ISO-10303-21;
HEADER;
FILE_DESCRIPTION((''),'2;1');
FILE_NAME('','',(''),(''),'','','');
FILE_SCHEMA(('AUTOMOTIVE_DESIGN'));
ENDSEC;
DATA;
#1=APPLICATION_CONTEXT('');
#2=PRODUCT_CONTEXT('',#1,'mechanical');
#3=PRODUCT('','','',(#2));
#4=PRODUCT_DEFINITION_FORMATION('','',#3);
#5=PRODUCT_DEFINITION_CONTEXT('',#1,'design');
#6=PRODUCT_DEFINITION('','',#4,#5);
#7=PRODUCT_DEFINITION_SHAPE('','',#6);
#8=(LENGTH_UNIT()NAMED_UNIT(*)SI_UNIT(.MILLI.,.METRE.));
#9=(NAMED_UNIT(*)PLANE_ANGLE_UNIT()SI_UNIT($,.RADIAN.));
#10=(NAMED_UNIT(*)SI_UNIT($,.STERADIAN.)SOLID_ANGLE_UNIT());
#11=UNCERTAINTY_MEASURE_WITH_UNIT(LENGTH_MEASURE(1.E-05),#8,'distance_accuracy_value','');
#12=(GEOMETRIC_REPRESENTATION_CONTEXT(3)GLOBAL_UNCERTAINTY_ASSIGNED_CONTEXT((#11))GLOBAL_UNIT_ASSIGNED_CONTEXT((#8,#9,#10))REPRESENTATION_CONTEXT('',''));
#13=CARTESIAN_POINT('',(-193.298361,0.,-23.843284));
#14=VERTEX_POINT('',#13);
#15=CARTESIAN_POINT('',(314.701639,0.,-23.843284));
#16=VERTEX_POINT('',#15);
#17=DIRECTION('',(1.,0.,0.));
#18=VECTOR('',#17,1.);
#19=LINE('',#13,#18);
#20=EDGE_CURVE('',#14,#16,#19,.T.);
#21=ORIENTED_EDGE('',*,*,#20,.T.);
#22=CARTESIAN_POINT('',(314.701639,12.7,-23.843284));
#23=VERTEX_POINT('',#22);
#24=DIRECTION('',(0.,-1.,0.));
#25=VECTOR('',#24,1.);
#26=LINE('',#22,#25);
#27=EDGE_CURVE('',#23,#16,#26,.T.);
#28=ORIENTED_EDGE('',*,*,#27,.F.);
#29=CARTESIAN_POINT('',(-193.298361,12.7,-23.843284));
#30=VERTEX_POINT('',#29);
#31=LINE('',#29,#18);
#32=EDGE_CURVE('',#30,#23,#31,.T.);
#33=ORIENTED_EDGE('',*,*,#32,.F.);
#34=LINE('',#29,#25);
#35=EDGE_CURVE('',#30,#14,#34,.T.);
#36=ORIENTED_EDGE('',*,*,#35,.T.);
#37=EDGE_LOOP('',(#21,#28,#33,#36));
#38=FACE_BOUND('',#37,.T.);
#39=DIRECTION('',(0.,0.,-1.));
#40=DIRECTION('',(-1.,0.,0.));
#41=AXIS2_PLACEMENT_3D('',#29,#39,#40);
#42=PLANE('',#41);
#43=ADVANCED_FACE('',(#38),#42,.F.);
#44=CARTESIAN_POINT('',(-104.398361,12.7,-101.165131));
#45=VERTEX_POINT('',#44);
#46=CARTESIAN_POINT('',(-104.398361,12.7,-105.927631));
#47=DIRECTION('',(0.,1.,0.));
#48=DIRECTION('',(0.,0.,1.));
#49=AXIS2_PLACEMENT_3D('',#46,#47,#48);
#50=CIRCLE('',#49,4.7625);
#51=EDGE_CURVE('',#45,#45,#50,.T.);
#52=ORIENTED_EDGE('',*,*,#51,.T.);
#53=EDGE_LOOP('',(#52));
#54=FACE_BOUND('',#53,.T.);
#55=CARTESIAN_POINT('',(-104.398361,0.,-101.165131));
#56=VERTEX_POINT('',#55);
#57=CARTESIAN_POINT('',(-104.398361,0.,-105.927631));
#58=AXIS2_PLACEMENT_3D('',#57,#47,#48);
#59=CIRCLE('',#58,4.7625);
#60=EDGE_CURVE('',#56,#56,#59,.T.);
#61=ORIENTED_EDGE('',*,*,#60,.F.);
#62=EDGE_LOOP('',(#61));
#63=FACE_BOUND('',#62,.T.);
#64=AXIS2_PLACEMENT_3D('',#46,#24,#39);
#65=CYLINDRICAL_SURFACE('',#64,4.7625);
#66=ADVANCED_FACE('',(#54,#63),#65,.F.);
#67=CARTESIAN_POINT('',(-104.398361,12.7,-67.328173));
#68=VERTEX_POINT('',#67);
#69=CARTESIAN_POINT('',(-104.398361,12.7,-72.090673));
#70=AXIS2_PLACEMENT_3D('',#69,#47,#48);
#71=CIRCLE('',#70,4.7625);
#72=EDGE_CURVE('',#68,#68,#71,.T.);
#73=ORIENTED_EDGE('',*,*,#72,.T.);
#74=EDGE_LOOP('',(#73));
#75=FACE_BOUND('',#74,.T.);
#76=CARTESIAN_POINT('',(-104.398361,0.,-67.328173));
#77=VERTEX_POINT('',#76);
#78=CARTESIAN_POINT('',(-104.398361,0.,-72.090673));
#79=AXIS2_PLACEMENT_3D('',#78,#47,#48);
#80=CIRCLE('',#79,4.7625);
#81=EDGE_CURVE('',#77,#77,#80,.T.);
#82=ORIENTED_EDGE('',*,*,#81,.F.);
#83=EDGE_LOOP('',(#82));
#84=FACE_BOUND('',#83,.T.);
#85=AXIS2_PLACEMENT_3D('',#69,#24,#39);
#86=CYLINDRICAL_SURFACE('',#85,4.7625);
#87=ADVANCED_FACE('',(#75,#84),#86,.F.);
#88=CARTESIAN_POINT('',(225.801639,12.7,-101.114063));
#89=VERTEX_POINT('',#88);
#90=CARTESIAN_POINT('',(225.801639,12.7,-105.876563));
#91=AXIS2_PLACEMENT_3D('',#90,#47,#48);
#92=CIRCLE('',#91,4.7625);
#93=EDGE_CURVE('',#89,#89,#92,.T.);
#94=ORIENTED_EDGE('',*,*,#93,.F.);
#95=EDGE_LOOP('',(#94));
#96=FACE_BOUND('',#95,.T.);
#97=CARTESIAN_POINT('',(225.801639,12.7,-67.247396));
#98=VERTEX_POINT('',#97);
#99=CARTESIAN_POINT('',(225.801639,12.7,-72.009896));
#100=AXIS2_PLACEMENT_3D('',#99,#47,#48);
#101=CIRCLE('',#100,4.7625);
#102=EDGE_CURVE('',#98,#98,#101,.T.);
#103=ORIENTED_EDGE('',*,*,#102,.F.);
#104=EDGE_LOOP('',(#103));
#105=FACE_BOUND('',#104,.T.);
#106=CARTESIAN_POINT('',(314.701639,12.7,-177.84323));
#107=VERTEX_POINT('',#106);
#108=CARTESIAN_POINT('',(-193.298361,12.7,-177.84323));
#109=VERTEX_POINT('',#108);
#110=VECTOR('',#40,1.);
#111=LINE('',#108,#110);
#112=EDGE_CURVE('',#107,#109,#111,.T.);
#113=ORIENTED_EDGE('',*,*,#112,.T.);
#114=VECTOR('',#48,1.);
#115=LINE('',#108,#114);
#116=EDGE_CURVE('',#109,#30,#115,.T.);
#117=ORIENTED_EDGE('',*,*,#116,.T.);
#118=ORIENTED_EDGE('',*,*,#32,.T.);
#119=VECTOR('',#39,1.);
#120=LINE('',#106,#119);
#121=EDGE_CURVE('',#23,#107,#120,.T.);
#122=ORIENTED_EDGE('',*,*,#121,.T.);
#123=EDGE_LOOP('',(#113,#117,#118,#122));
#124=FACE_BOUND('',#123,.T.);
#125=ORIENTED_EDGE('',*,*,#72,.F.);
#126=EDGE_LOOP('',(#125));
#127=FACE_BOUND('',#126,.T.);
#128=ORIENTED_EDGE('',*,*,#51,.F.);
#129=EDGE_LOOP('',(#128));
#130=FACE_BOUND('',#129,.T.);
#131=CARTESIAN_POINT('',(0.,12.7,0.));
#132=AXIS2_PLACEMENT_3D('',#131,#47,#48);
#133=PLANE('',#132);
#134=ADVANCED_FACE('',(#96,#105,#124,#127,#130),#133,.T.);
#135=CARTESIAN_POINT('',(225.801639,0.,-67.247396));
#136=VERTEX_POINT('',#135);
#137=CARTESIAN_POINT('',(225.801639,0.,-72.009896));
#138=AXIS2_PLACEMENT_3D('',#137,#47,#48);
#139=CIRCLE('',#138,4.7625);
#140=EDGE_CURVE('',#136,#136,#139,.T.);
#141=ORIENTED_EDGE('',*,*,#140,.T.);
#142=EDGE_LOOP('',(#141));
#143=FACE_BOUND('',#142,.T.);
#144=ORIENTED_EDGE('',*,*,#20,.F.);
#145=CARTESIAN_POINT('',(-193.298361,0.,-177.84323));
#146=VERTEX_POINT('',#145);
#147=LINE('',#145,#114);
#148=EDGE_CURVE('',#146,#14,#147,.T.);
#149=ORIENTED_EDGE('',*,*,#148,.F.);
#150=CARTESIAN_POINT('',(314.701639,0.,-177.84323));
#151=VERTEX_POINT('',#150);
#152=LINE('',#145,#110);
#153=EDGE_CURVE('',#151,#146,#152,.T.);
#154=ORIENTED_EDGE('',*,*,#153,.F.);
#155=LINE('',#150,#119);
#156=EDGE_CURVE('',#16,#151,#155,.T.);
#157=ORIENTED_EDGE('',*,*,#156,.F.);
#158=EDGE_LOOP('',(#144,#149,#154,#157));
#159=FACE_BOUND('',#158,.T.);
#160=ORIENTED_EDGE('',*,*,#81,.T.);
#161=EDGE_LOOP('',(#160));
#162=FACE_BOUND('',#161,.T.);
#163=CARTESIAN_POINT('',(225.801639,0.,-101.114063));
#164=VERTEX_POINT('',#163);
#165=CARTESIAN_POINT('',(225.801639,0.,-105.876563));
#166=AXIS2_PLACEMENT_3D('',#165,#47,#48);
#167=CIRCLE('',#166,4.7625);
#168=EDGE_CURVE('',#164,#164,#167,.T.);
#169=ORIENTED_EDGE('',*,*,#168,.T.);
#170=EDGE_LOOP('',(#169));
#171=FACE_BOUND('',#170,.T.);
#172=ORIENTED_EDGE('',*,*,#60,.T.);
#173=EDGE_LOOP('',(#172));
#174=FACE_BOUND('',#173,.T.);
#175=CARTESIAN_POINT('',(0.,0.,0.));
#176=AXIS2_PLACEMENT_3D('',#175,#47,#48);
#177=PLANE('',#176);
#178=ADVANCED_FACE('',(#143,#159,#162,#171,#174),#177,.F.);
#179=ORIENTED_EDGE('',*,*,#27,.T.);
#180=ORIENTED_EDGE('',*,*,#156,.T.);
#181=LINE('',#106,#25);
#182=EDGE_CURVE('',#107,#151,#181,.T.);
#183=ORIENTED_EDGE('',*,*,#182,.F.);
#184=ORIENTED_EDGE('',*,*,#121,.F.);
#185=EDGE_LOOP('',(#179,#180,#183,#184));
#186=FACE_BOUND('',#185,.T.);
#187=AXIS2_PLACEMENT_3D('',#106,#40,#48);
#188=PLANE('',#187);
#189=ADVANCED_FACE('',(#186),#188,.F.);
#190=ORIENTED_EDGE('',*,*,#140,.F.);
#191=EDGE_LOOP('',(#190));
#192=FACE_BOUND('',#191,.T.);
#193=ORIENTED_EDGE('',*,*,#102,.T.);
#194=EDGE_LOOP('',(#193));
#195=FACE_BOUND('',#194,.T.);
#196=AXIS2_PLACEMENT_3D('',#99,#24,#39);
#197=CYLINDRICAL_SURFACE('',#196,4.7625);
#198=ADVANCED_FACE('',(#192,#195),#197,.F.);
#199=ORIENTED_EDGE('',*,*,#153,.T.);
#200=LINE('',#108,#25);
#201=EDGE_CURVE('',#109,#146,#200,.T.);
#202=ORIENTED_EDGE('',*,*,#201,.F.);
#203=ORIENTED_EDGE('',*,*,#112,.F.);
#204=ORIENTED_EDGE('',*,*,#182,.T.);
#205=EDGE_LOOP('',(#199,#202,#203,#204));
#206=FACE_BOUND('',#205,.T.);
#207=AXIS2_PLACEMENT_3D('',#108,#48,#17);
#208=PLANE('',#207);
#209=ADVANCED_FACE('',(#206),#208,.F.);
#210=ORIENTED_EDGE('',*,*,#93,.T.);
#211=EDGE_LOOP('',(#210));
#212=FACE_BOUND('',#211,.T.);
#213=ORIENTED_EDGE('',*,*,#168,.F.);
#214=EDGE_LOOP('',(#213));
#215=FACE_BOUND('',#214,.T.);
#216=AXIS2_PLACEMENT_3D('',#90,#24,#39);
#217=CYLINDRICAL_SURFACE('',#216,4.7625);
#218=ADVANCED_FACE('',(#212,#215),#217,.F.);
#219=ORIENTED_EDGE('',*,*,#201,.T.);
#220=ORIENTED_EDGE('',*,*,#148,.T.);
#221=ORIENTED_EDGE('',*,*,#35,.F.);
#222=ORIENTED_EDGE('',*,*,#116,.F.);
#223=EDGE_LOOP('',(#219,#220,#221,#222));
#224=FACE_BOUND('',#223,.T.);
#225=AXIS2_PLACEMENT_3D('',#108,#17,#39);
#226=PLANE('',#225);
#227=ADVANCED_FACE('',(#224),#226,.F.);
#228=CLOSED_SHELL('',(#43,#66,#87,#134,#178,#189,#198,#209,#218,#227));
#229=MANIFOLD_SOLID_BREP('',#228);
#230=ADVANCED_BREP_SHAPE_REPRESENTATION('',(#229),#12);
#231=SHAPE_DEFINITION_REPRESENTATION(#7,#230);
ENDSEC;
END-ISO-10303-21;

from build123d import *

# Parameters (mm, degrees)
SKETCH1_W           = 508
SKETCH1_H           = 153.999946
SKETCH1_R           = 4.7625
BOSS_EXTRUDE1_DEPTH = 12.7


with BuildPart() as part:
    # Sketch1 → Boss-Extrude1 (new body)
    with BuildSketch(Plane(origin=(0, 0, 0), x_dir=(1, 0, 0), z_dir=(0, 1, 0))):
        with Locations((60.70163918, 100.843256821)):
            Rectangle(SKETCH1_W, SKETCH1_H)
        with Locations((-104.39836082, 105.927631204)):
            Circle(SKETCH1_R, mode=Mode.SUBTRACT)
        with Locations((-104.39836082, 72.090673409)):
            Circle(SKETCH1_R, mode=Mode.SUBTRACT)
        with Locations((225.80163918, 105.876563154)):
            Circle(SKETCH1_R, mode=Mode.SUBTRACT)
        with Locations((225.80163918, 72.009896487)):
            Circle(SKETCH1_R, mode=Mode.SUBTRACT)
    extrude(amount=BOSS_EXTRUDE1_DEPTH)


solid = part.part
